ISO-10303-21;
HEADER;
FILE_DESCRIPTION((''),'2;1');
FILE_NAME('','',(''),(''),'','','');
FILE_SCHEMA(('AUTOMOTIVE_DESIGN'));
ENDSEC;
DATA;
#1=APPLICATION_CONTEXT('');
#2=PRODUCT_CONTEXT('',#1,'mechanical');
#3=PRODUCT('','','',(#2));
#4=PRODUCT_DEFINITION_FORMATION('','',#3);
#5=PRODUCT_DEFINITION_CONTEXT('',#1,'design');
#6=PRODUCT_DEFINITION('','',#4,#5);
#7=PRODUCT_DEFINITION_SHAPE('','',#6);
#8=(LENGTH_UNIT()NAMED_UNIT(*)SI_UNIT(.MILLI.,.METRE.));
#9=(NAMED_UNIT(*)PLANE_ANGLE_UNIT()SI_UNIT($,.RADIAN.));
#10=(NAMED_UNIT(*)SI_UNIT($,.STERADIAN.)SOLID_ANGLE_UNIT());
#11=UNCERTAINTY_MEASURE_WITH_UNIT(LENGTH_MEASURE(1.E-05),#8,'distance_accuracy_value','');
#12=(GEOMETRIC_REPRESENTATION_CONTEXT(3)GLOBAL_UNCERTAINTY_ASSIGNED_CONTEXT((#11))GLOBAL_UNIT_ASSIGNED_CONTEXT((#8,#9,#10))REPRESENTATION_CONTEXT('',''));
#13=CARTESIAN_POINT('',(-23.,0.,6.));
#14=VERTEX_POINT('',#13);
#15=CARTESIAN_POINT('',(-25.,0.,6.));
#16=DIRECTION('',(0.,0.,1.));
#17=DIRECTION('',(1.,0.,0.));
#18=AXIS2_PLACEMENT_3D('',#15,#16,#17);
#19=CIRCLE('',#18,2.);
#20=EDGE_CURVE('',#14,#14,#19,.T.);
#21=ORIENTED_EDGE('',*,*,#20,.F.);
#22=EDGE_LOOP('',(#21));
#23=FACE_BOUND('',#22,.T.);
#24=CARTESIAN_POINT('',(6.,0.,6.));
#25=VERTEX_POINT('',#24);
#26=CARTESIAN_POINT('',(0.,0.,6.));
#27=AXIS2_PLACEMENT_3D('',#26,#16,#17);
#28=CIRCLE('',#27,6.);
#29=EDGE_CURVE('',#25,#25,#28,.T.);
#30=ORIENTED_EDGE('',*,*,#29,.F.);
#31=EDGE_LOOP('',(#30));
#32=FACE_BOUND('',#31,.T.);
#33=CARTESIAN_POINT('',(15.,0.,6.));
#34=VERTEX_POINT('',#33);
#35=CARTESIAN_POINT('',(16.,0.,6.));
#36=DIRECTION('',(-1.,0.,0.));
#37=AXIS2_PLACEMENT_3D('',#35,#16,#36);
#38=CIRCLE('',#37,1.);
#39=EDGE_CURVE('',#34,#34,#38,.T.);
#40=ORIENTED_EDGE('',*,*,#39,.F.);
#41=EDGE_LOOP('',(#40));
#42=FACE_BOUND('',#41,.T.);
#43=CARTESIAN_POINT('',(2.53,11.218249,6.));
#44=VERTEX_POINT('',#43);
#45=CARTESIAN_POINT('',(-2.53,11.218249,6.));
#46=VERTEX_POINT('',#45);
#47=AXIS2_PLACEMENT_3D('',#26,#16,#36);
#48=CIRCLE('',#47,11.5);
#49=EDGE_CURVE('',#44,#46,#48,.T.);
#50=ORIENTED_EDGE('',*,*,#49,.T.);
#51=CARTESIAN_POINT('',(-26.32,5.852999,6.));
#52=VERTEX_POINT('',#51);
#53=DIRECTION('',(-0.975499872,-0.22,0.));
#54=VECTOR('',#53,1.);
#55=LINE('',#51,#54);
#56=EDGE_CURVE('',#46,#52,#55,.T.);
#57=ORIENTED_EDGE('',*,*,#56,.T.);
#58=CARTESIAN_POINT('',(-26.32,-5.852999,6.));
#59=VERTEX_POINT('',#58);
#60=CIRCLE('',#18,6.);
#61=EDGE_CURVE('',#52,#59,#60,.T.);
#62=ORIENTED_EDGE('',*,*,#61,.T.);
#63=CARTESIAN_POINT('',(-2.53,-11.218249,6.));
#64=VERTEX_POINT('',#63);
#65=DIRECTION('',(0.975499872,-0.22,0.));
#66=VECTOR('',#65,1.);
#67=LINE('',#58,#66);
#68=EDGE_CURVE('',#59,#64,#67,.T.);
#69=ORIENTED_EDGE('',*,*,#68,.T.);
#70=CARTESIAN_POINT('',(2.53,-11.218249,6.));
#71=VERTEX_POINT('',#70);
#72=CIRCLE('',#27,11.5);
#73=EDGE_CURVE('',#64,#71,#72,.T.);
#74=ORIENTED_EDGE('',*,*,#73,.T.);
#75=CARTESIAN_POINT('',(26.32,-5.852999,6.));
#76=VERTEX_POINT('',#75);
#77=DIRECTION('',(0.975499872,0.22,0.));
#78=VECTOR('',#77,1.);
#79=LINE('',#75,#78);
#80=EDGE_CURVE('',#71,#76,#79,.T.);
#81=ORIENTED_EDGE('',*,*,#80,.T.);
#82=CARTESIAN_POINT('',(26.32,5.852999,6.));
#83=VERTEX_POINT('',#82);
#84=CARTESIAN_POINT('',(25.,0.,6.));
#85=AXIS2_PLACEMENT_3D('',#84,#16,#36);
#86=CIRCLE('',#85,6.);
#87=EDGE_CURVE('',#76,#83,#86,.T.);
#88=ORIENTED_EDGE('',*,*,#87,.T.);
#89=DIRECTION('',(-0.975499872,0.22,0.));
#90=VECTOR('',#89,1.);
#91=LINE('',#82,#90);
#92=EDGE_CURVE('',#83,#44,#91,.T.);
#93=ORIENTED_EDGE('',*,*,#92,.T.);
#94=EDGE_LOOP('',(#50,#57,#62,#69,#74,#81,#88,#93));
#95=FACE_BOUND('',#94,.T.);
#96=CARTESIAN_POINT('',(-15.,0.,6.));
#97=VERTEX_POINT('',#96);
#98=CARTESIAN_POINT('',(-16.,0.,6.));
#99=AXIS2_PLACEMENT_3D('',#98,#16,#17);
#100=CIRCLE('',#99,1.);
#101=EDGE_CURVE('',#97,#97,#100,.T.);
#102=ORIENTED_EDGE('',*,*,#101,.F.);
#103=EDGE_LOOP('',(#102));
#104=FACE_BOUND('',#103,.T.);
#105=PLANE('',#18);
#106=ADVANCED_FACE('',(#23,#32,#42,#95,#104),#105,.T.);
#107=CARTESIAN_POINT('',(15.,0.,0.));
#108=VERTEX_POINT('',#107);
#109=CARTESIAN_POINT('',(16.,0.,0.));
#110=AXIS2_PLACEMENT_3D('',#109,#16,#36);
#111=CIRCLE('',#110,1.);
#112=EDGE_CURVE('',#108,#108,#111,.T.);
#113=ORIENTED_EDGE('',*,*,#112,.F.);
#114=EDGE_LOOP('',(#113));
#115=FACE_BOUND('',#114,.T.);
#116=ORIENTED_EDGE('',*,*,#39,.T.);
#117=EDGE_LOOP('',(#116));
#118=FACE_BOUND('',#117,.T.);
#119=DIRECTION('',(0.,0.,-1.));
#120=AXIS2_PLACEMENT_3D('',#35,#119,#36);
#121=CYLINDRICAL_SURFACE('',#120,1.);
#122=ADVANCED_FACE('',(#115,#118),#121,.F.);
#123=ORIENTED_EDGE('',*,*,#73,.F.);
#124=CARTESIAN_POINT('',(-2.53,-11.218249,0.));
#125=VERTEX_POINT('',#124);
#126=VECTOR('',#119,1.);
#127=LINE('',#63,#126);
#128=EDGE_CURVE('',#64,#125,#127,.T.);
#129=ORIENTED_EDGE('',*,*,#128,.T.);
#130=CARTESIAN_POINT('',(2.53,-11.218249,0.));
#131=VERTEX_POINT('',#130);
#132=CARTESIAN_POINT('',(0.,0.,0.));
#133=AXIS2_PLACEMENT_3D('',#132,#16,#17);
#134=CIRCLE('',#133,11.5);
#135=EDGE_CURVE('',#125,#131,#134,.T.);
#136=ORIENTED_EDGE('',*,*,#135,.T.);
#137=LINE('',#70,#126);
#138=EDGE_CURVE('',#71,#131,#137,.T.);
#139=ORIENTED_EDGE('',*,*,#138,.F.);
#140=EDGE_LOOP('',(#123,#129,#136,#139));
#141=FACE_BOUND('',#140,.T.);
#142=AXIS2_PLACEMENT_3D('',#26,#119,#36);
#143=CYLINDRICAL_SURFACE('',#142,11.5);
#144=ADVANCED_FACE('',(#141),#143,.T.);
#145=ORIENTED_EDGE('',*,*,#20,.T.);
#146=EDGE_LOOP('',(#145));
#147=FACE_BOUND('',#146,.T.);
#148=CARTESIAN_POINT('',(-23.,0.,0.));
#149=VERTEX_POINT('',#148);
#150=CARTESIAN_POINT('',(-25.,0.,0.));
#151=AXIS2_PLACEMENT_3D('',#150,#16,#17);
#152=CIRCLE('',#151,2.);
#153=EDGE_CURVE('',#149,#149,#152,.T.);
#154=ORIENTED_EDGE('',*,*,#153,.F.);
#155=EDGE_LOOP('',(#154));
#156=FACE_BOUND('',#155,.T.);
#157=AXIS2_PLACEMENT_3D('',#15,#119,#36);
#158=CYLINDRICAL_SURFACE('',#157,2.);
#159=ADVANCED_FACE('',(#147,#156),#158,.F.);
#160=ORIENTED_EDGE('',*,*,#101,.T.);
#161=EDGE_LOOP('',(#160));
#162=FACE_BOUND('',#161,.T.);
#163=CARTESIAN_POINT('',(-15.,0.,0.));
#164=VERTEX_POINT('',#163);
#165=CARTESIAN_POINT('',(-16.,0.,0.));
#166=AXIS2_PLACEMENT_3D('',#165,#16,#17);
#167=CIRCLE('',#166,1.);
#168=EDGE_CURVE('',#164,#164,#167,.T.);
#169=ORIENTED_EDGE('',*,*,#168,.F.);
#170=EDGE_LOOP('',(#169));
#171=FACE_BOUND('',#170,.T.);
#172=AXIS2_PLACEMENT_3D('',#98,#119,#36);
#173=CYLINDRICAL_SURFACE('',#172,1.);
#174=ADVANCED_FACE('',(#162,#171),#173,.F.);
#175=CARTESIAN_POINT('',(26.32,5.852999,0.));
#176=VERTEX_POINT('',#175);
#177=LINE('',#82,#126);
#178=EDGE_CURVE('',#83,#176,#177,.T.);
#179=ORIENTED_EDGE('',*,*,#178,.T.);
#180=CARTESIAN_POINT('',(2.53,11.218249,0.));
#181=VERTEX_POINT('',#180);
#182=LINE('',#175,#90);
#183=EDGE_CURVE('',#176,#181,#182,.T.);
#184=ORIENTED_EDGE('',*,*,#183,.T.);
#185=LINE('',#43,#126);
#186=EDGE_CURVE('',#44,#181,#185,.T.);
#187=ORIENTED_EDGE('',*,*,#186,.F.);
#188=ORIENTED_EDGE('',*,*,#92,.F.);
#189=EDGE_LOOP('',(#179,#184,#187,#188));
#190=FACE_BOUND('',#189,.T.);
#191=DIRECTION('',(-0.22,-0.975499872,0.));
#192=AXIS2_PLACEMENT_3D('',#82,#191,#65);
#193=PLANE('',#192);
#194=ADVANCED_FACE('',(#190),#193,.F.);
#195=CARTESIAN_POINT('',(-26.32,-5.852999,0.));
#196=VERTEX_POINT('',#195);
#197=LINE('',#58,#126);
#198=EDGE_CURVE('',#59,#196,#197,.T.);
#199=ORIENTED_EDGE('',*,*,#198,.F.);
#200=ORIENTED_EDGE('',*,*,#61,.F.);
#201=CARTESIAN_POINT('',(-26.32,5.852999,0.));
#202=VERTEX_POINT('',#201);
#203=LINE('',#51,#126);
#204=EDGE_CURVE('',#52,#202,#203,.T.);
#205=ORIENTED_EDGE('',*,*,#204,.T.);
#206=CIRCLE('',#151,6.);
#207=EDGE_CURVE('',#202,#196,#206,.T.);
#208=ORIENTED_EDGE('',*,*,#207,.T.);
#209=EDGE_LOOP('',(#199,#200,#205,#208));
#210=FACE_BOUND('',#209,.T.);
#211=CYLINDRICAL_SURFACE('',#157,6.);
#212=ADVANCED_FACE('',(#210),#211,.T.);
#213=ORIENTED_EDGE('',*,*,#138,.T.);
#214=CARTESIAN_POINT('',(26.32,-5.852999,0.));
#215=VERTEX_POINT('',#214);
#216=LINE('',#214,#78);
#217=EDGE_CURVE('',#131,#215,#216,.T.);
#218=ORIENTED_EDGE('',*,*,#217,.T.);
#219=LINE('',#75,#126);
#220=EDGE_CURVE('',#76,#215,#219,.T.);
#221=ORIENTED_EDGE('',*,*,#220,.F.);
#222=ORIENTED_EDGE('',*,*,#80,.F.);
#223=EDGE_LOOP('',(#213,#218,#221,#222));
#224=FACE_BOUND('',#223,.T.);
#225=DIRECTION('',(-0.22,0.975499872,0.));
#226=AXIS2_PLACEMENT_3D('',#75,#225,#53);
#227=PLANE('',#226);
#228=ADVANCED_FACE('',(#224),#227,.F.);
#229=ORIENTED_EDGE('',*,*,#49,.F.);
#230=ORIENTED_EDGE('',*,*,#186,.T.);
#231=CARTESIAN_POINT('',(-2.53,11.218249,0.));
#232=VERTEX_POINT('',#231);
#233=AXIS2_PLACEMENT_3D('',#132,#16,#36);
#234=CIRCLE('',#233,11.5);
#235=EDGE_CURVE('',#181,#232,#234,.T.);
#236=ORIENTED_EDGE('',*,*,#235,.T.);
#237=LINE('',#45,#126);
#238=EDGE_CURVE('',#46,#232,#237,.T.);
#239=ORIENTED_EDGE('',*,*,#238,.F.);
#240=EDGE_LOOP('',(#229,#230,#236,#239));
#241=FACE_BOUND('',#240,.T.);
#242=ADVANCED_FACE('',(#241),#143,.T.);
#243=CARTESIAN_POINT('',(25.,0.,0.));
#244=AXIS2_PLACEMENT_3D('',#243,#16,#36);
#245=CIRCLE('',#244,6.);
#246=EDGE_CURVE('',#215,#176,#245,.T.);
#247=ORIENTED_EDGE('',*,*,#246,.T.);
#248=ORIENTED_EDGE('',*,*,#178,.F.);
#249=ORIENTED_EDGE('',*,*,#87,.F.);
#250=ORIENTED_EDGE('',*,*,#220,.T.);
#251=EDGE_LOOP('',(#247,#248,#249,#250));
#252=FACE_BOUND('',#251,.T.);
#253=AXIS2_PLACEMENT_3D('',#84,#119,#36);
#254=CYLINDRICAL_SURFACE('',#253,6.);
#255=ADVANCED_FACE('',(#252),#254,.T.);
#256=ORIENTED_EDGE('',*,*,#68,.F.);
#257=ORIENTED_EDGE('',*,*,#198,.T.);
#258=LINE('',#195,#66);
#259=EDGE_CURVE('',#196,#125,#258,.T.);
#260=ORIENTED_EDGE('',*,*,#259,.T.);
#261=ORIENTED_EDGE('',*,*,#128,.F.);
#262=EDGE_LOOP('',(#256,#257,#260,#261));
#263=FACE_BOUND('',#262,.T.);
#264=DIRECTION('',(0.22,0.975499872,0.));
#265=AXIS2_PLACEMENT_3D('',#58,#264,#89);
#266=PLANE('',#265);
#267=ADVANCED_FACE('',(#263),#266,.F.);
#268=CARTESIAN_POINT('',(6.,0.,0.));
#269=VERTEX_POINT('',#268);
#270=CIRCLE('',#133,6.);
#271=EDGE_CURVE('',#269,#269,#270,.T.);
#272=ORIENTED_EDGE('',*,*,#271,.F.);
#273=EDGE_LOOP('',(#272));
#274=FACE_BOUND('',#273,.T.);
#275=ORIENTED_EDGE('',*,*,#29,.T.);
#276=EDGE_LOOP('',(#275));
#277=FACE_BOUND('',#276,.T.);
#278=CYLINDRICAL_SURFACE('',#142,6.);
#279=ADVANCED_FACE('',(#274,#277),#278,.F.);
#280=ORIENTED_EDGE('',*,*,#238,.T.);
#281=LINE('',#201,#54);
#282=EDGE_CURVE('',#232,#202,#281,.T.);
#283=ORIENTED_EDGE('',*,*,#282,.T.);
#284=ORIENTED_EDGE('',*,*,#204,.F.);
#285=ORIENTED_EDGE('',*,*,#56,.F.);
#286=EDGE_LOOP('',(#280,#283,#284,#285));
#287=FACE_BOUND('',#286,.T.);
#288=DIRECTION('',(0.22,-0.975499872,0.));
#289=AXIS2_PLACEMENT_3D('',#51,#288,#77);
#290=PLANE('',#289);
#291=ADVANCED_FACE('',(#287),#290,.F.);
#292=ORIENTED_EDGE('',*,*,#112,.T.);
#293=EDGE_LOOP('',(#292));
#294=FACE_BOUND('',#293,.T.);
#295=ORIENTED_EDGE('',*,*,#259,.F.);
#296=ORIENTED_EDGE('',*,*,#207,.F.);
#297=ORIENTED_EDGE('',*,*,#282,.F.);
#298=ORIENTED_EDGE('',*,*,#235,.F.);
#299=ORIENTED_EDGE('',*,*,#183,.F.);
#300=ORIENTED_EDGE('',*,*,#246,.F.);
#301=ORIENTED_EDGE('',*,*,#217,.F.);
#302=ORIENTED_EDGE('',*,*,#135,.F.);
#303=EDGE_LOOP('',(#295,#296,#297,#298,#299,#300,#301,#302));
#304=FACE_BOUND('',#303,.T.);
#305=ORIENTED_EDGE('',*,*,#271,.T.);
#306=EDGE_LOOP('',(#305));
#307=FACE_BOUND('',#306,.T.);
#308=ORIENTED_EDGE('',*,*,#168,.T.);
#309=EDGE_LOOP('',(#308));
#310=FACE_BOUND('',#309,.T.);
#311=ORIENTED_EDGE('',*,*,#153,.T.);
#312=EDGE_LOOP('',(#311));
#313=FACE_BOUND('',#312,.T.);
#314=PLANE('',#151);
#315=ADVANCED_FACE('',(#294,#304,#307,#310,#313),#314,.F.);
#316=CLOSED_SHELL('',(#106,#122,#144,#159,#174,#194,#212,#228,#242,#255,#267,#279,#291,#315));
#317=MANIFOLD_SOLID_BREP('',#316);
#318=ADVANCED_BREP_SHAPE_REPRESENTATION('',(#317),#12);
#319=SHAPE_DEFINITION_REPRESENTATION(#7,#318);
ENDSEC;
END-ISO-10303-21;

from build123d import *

# Parameters (mm, degrees)
CROQUIS1_R              = 2
CROQUIS1_R_2            = 6
CROQUIS1_R_3            = 1
SALIENTE_EXTRUIR1_DEPTH = 6


with BuildPart() as part:
    # Croquis1 → Saliente-Extruir1 (new body)
    with BuildSketch(Plane.XY):
        with BuildLine():
            Line((-26.32, 5.852999231), (-2.53, 11.218248526))
            ThreePointArc((-2.53, 11.218248526), (0, 11.5), (2.53, 11.218248526))
            Line((2.53, 11.218248526), (26.32, 5.852999231))
            ThreePointArc((26.32, 5.852999231), (31, 0), (26.32, -5.852999231))
            Line((26.32, -5.852999231), (2.53, -11.218248526))
            ThreePointArc((2.53, -11.218248526), (0, -11.5), (-2.53, -11.218248526))
            Line((-2.53, -11.218248526), (-26.32, -5.852999231))
            ThreePointArc((-26.32, -5.852999231), (-31, 0), (-26.32, 5.852999231))
        make_face()
        with Locations((-25, 0)):
            Circle(CROQUIS1_R, mode=Mode.SUBTRACT)
        Circle(CROQUIS1_R_2, mode=Mode.SUBTRACT)
        with Locations((-16, 0)):
            Circle(CROQUIS1_R_3, mode=Mode.SUBTRACT)
        with Locations(Location((16, 0, 0), (0, 0, 180))):
            Circle(CROQUIS1_R_3, mode=Mode.SUBTRACT)
    extrude(amount=SALIENTE_EXTRUIR1_DEPTH)


solid = part.part
